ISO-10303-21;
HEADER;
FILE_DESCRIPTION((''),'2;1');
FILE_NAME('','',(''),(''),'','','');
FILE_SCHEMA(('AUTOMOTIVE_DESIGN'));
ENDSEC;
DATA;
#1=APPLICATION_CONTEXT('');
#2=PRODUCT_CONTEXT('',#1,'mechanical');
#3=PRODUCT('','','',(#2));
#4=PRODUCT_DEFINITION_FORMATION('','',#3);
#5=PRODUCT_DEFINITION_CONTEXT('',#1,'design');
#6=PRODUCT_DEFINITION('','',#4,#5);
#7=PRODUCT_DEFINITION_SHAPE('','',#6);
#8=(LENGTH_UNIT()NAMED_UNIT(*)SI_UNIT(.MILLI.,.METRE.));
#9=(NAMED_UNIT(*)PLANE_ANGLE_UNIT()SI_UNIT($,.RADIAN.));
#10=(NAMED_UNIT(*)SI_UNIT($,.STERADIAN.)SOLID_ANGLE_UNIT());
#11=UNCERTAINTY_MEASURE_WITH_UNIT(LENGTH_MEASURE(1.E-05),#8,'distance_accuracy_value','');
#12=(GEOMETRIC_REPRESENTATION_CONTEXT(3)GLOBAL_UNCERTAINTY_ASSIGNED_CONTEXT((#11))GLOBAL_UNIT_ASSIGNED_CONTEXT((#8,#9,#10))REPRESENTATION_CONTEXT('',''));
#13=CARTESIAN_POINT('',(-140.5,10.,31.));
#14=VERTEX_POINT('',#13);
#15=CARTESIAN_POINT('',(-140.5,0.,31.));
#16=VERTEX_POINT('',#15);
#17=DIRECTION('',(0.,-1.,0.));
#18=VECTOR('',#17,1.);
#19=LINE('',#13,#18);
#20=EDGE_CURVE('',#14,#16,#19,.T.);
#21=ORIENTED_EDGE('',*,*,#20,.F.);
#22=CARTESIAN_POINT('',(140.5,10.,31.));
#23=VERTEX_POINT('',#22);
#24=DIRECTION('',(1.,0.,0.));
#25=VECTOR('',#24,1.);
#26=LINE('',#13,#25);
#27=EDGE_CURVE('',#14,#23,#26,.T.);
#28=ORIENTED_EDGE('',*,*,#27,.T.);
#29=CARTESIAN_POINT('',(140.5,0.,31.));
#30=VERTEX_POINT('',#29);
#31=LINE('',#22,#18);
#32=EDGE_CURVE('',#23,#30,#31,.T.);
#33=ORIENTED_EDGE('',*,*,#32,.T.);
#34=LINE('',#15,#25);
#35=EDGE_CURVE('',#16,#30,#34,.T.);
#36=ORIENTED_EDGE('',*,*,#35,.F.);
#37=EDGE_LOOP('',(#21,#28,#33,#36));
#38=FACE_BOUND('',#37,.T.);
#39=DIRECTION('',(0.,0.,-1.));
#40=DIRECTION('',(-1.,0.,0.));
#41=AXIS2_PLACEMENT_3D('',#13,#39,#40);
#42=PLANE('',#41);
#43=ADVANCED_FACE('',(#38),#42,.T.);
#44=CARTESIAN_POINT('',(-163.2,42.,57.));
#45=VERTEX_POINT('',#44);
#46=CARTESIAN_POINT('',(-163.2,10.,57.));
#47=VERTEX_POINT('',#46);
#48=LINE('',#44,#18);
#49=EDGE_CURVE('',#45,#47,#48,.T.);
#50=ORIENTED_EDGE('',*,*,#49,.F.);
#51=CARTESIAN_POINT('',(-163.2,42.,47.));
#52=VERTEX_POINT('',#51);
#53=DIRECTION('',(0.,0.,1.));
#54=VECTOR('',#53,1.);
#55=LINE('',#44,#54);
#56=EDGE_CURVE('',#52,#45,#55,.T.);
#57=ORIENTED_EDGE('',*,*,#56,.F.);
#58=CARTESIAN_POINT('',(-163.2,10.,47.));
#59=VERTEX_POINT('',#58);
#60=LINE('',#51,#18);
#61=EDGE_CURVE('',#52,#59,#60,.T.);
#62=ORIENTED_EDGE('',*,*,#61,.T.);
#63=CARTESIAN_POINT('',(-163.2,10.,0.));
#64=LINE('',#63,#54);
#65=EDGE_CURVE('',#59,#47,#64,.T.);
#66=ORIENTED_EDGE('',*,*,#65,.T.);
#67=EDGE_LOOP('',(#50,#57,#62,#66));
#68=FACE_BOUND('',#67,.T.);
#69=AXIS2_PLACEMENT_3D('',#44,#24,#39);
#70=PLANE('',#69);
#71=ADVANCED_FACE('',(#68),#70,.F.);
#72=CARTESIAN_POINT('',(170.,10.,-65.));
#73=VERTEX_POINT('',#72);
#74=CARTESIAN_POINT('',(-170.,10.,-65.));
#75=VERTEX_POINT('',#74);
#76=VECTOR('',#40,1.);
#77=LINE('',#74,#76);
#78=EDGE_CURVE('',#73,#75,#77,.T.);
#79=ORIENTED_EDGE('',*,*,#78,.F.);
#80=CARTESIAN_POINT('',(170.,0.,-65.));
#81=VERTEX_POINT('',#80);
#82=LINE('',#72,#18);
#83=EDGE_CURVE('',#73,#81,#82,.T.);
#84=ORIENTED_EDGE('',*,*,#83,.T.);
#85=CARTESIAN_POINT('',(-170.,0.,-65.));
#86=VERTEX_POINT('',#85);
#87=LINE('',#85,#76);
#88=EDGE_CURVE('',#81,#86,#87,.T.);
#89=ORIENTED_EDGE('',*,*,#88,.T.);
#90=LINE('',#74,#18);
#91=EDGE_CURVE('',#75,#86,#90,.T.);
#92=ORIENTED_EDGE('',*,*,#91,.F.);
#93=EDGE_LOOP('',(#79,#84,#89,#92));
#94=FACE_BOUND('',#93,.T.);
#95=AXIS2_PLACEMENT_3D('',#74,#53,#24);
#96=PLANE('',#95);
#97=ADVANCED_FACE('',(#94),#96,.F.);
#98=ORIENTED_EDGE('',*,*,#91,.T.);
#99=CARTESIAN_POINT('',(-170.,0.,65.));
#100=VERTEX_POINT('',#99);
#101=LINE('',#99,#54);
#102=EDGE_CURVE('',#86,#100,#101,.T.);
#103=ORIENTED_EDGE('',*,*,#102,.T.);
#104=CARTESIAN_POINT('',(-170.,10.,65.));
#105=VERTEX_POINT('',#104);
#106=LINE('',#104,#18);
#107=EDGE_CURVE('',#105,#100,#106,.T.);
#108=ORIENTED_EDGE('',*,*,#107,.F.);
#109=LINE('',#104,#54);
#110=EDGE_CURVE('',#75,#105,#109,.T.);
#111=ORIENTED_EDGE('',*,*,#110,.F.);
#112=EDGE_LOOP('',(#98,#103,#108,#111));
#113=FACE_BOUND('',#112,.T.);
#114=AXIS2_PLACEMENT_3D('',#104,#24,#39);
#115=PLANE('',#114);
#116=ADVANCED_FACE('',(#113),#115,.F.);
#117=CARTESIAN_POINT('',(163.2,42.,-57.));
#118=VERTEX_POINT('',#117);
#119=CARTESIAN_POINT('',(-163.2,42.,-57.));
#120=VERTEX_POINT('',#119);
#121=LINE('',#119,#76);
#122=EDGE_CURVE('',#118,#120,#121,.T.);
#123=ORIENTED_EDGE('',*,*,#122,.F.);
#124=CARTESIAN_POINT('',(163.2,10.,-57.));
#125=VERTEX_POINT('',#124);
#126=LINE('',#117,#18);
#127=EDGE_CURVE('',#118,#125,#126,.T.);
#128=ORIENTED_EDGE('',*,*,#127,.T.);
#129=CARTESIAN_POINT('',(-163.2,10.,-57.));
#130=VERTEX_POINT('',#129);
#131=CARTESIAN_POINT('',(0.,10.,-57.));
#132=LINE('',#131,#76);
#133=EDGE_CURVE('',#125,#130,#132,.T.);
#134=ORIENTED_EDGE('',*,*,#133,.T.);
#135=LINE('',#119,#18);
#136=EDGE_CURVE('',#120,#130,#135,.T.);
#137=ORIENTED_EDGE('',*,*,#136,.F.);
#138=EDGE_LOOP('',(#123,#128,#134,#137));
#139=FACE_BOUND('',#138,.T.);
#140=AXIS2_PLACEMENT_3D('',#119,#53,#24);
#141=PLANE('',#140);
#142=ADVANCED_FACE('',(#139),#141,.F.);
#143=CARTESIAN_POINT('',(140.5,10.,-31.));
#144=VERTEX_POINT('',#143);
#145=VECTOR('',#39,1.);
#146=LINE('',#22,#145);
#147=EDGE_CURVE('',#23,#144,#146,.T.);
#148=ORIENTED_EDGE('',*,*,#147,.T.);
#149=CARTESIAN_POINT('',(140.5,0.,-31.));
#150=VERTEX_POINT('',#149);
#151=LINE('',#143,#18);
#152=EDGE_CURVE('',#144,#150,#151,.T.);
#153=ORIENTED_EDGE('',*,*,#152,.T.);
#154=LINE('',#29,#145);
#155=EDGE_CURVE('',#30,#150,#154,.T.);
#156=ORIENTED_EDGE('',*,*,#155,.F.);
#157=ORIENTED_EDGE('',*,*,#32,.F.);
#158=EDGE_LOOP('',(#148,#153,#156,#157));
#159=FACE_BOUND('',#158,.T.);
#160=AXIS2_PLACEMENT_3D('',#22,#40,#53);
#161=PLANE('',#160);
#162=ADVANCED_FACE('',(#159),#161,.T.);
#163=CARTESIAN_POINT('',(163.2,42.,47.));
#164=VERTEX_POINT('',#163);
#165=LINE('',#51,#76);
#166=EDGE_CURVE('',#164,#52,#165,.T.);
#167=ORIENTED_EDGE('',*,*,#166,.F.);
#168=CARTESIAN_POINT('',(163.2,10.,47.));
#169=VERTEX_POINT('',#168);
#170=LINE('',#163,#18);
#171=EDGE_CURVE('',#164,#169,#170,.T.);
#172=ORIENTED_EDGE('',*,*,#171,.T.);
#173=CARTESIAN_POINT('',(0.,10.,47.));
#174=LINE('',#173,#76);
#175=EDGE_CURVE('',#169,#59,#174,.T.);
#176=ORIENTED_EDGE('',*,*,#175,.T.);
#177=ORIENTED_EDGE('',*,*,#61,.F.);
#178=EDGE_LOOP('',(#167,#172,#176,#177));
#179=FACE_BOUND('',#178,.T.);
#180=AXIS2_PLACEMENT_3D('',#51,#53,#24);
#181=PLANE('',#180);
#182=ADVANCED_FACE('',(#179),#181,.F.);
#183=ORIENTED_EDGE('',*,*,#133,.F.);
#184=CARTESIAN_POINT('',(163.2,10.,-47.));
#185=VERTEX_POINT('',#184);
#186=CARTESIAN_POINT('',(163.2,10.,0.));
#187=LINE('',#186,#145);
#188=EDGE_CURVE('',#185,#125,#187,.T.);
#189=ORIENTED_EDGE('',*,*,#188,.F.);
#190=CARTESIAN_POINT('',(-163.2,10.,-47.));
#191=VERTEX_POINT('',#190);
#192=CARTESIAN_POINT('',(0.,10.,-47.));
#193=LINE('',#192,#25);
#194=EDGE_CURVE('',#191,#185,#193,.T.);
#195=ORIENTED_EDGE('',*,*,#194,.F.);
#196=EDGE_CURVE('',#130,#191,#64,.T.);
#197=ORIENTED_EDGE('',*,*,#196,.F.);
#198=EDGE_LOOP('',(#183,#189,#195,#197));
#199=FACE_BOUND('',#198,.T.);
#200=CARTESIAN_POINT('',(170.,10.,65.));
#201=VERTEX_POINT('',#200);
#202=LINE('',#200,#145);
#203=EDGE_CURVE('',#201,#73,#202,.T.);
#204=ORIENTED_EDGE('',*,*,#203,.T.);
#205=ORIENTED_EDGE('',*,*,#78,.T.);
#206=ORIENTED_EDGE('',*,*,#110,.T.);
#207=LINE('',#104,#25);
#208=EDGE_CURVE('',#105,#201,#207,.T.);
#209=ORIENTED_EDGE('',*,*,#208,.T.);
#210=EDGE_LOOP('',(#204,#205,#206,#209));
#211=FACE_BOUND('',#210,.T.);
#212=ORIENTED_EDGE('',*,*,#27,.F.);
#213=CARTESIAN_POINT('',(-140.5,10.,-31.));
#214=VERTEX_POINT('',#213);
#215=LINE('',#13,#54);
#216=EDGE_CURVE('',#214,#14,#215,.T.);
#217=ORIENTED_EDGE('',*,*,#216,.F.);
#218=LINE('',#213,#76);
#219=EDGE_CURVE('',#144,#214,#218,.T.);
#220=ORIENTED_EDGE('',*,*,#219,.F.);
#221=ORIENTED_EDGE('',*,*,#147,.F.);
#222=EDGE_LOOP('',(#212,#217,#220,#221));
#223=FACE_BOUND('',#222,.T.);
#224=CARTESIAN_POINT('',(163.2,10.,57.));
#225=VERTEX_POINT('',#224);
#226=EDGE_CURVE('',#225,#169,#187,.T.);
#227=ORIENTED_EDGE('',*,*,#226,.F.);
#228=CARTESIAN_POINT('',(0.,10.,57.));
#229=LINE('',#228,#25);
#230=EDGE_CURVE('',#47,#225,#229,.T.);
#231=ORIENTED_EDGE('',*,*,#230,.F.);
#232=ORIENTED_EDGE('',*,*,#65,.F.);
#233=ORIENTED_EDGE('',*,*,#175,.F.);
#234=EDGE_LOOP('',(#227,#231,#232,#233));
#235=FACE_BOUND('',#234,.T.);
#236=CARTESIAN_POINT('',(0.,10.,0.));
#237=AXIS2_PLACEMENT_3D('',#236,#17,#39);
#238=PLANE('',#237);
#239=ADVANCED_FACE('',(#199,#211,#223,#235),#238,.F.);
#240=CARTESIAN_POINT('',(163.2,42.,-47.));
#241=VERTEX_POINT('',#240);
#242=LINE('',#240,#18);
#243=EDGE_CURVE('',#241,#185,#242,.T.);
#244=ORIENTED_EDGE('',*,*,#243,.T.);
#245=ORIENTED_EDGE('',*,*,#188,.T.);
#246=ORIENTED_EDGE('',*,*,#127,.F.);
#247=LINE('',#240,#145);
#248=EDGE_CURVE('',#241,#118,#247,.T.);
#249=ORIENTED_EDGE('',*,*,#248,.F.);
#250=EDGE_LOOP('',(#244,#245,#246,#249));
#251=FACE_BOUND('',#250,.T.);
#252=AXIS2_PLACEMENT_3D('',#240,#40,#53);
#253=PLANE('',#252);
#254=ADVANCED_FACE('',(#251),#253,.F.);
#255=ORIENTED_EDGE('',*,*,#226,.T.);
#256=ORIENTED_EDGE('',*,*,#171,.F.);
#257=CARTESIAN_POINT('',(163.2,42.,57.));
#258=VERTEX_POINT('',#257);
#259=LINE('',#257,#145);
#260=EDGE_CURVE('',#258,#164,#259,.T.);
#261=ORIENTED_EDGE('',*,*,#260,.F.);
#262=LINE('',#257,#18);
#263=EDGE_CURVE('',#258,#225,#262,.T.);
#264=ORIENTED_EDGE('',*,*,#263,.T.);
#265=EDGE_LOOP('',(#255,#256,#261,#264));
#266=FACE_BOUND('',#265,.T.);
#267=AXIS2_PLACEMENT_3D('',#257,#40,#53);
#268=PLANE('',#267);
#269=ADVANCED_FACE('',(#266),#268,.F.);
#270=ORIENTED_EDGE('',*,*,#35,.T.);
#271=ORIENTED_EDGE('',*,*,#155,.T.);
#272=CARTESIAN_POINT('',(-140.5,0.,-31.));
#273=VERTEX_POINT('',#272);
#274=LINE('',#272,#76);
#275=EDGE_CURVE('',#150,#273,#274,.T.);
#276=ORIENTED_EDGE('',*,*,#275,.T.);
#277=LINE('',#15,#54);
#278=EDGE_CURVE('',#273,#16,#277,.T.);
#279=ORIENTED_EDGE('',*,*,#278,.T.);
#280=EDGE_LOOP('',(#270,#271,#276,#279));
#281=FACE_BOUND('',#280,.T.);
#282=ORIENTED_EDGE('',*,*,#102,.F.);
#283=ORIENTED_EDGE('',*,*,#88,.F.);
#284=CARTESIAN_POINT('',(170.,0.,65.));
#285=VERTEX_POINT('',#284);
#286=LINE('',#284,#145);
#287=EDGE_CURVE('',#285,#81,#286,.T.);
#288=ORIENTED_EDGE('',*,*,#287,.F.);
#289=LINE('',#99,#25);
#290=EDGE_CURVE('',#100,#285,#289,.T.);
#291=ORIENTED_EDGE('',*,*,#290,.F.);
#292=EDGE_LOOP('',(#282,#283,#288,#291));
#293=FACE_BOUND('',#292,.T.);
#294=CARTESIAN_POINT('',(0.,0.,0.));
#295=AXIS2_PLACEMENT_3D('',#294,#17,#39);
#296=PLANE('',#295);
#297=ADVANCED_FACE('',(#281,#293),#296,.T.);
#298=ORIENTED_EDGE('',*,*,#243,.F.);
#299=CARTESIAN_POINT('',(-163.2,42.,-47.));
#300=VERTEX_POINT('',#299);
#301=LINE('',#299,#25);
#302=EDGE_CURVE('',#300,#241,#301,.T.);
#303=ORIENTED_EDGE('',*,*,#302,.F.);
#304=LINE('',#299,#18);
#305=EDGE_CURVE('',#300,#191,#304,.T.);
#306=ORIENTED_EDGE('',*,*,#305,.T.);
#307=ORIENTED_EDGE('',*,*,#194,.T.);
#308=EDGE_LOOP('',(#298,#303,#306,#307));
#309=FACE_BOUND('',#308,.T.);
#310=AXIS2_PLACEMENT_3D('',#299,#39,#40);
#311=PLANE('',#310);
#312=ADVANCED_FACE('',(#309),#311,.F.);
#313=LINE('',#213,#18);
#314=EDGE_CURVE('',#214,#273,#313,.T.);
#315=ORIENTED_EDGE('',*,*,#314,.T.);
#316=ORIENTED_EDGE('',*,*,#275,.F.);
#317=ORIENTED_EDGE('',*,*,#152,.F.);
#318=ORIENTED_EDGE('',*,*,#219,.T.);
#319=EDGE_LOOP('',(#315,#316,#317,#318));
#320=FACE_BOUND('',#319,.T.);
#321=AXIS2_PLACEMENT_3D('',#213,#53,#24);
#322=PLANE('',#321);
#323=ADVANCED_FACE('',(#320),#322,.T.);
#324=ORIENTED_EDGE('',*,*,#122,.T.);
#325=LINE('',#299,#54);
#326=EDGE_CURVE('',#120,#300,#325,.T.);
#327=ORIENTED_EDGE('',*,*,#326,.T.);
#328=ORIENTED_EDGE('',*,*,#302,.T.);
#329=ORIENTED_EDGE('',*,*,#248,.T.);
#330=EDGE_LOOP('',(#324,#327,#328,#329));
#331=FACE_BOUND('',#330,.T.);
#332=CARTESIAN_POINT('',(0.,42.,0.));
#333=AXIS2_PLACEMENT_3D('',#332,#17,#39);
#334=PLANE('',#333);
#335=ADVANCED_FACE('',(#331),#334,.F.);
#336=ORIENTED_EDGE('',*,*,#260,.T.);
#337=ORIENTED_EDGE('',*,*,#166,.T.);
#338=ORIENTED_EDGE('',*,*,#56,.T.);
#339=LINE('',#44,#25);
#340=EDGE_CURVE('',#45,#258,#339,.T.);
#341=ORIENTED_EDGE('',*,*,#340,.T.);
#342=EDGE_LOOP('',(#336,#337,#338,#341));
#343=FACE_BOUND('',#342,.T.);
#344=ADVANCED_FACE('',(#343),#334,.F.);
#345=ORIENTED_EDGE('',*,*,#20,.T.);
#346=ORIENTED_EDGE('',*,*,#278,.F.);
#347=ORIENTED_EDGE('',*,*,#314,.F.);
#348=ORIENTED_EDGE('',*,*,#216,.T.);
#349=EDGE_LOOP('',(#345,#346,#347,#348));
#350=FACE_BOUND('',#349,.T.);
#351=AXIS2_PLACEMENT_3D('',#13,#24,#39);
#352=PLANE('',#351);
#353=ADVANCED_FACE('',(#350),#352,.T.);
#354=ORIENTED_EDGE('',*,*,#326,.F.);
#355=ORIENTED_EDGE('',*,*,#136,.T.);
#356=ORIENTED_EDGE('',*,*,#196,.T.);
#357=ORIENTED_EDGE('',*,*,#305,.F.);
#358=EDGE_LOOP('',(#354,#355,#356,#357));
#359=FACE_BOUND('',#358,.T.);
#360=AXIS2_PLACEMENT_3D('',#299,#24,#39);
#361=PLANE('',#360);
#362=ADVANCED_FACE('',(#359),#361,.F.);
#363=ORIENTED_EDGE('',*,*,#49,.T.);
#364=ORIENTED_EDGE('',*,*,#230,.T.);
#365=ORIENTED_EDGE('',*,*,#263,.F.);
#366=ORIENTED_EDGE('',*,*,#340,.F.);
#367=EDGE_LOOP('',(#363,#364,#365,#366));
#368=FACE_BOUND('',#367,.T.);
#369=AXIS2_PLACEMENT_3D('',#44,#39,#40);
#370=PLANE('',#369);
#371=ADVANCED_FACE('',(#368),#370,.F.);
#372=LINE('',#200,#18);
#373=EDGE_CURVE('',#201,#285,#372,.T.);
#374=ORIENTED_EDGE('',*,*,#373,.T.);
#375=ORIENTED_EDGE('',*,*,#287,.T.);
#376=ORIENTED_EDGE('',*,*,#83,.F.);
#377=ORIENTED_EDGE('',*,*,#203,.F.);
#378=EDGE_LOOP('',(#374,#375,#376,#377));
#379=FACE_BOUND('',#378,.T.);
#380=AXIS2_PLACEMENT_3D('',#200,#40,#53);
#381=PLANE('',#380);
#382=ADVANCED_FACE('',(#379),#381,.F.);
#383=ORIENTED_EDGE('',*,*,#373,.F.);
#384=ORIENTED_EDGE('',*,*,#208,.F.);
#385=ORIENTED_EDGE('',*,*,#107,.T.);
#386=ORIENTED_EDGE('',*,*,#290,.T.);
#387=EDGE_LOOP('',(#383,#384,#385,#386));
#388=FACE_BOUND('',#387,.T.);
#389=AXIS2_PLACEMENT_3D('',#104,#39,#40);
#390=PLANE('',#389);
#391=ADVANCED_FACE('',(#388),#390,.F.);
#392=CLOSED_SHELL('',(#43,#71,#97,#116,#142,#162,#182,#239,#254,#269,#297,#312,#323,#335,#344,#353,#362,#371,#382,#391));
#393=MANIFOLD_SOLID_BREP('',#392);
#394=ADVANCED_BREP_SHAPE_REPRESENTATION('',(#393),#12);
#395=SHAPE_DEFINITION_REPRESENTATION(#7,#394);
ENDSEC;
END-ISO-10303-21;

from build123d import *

# Parameters (mm, degrees)
F_01_RAIL_BASE_PROFILE_W   = 340
F_01_RAIL_BASE_PROFILE_H   = 130
F_01_RAIL_BASE_PROFILE_R   = 4.5
F_01_RAIL_BASE_PROFILE_W_2 = 281
F_01_RAIL_BASE_PROFILE_H_2 = 62
F_01_RAIL_BASE_DEPTH       = 10
F_02_GUIDE_RAIL_PROFILES_W = 326.4
F_02_GUIDE_RAIL_PROFILES_H = 10
F_02_GUIDE_RAILS_DEPTH     = 42


with BuildPart() as part:
    # 01_Rail_Base_Profile → 01_Rail_Base (new body)
    with BuildSketch(Plane(origin=(0, 0, 0), x_dir=(1, 0, 0), z_dir=(0, 1, 0))):
        Rectangle(F_01_RAIL_BASE_PROFILE_W, F_01_RAIL_BASE_PROFILE_H)
        with Locations(Location((-145, -52, 0), (0, 0, 270))):
            Circle(F_01_RAIL_BASE_PROFILE_R, mode=Mode.SUBTRACT)
        with Locations(Location((-145, 52, 0), (0, 0, 270))):
            Circle(F_01_RAIL_BASE_PROFILE_R, mode=Mode.SUBTRACT)
        with Locations(Location((145, -52, 0), (0, 0, 270))):
            Circle(F_01_RAIL_BASE_PROFILE_R, mode=Mode.SUBTRACT)
        with Locations(Location((145, 52, 0), (0, 0, 270))):
            Circle(F_01_RAIL_BASE_PROFILE_R, mode=Mode.SUBTRACT)
        Rectangle(F_01_RAIL_BASE_PROFILE_W_2, F_01_RAIL_BASE_PROFILE_H_2, mode=Mode.SUBTRACT)
    extrude(amount=F_01_RAIL_BASE_DEPTH)

    # 02_Guide_Rail_Profiles → 02_Guide_Rails (add)
    with BuildSketch(Plane(origin=(0, 0, 0), x_dir=(1, 0, 0), z_dir=(0, 1, 0))):
        with Locations((0, 52)):
            Rectangle(F_02_GUIDE_RAIL_PROFILES_W, F_02_GUIDE_RAIL_PROFILES_H)
        with Locations((0, -52)):
            Rectangle(F_02_GUIDE_RAIL_PROFILES_W, F_02_GUIDE_RAIL_PROFILES_H)
    extrude(amount=F_02_GUIDE_RAILS_DEPTH)


solid = part.part
